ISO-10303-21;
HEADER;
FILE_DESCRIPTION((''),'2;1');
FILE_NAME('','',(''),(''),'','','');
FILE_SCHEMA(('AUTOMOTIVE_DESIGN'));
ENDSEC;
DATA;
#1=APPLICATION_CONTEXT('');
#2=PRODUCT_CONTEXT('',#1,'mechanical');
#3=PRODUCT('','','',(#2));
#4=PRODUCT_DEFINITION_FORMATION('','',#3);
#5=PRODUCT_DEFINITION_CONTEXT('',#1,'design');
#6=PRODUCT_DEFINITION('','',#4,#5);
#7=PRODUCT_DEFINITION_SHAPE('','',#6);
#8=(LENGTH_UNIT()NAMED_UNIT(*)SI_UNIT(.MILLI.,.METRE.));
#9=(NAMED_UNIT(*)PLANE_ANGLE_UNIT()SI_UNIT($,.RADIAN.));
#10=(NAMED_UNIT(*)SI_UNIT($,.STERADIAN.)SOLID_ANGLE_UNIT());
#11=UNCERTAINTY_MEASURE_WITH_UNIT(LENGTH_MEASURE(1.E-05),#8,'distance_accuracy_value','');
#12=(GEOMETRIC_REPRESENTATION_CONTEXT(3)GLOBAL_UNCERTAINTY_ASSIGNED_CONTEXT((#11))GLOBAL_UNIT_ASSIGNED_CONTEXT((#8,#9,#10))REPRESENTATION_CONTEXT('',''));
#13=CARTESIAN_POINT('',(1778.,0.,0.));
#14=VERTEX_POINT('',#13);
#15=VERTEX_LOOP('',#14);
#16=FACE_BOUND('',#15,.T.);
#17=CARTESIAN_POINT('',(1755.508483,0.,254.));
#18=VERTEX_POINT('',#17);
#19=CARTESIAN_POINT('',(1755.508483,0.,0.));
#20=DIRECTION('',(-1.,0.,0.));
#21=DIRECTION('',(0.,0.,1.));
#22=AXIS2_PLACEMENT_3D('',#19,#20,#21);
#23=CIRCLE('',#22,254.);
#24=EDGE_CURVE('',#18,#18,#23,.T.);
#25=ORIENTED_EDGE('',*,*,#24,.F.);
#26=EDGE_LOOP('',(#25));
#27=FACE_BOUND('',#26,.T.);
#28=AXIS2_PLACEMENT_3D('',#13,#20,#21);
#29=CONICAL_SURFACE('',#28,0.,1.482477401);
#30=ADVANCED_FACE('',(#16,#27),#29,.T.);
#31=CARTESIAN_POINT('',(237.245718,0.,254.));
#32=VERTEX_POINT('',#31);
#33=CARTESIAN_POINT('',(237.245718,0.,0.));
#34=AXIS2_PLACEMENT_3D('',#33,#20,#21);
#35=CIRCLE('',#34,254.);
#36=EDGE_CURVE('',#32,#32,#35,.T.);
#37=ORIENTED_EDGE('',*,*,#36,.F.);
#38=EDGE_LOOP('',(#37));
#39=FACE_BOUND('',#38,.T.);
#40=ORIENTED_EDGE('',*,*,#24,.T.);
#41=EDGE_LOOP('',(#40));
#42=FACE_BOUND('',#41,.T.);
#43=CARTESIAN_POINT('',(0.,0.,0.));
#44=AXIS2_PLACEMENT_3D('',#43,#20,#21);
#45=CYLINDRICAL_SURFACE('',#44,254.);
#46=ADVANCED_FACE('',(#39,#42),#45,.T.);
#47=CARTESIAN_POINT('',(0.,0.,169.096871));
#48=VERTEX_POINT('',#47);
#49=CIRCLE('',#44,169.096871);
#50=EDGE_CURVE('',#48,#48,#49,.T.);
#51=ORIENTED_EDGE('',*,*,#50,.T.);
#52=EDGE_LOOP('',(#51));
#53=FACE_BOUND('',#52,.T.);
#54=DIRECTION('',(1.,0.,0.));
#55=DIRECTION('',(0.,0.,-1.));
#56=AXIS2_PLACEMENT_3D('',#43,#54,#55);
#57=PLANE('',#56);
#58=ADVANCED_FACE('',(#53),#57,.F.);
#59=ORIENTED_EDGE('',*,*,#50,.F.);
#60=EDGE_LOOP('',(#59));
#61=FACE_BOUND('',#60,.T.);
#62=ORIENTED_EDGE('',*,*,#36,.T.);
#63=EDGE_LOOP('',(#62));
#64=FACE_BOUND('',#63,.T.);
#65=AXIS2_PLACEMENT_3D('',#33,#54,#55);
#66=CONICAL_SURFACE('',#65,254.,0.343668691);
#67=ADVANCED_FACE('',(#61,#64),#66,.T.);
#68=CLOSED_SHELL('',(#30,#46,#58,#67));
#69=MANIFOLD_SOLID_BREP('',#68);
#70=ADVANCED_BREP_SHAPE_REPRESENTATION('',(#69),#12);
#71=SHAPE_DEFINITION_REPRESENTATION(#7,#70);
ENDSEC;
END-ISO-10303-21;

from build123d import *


with BuildPart() as part:
    # Sketch1 → Revolve1 (revolve)
    with BuildSketch(Plane.XY):
        Polygon((0, 0), (0, 169.096871333), (237.245718475, 254), (1755.508482821, 254), (1778, 0), align=None)
    revolve(axis=Axis((0, 0, 0), (1, 0, 0)))


solid = part.part
